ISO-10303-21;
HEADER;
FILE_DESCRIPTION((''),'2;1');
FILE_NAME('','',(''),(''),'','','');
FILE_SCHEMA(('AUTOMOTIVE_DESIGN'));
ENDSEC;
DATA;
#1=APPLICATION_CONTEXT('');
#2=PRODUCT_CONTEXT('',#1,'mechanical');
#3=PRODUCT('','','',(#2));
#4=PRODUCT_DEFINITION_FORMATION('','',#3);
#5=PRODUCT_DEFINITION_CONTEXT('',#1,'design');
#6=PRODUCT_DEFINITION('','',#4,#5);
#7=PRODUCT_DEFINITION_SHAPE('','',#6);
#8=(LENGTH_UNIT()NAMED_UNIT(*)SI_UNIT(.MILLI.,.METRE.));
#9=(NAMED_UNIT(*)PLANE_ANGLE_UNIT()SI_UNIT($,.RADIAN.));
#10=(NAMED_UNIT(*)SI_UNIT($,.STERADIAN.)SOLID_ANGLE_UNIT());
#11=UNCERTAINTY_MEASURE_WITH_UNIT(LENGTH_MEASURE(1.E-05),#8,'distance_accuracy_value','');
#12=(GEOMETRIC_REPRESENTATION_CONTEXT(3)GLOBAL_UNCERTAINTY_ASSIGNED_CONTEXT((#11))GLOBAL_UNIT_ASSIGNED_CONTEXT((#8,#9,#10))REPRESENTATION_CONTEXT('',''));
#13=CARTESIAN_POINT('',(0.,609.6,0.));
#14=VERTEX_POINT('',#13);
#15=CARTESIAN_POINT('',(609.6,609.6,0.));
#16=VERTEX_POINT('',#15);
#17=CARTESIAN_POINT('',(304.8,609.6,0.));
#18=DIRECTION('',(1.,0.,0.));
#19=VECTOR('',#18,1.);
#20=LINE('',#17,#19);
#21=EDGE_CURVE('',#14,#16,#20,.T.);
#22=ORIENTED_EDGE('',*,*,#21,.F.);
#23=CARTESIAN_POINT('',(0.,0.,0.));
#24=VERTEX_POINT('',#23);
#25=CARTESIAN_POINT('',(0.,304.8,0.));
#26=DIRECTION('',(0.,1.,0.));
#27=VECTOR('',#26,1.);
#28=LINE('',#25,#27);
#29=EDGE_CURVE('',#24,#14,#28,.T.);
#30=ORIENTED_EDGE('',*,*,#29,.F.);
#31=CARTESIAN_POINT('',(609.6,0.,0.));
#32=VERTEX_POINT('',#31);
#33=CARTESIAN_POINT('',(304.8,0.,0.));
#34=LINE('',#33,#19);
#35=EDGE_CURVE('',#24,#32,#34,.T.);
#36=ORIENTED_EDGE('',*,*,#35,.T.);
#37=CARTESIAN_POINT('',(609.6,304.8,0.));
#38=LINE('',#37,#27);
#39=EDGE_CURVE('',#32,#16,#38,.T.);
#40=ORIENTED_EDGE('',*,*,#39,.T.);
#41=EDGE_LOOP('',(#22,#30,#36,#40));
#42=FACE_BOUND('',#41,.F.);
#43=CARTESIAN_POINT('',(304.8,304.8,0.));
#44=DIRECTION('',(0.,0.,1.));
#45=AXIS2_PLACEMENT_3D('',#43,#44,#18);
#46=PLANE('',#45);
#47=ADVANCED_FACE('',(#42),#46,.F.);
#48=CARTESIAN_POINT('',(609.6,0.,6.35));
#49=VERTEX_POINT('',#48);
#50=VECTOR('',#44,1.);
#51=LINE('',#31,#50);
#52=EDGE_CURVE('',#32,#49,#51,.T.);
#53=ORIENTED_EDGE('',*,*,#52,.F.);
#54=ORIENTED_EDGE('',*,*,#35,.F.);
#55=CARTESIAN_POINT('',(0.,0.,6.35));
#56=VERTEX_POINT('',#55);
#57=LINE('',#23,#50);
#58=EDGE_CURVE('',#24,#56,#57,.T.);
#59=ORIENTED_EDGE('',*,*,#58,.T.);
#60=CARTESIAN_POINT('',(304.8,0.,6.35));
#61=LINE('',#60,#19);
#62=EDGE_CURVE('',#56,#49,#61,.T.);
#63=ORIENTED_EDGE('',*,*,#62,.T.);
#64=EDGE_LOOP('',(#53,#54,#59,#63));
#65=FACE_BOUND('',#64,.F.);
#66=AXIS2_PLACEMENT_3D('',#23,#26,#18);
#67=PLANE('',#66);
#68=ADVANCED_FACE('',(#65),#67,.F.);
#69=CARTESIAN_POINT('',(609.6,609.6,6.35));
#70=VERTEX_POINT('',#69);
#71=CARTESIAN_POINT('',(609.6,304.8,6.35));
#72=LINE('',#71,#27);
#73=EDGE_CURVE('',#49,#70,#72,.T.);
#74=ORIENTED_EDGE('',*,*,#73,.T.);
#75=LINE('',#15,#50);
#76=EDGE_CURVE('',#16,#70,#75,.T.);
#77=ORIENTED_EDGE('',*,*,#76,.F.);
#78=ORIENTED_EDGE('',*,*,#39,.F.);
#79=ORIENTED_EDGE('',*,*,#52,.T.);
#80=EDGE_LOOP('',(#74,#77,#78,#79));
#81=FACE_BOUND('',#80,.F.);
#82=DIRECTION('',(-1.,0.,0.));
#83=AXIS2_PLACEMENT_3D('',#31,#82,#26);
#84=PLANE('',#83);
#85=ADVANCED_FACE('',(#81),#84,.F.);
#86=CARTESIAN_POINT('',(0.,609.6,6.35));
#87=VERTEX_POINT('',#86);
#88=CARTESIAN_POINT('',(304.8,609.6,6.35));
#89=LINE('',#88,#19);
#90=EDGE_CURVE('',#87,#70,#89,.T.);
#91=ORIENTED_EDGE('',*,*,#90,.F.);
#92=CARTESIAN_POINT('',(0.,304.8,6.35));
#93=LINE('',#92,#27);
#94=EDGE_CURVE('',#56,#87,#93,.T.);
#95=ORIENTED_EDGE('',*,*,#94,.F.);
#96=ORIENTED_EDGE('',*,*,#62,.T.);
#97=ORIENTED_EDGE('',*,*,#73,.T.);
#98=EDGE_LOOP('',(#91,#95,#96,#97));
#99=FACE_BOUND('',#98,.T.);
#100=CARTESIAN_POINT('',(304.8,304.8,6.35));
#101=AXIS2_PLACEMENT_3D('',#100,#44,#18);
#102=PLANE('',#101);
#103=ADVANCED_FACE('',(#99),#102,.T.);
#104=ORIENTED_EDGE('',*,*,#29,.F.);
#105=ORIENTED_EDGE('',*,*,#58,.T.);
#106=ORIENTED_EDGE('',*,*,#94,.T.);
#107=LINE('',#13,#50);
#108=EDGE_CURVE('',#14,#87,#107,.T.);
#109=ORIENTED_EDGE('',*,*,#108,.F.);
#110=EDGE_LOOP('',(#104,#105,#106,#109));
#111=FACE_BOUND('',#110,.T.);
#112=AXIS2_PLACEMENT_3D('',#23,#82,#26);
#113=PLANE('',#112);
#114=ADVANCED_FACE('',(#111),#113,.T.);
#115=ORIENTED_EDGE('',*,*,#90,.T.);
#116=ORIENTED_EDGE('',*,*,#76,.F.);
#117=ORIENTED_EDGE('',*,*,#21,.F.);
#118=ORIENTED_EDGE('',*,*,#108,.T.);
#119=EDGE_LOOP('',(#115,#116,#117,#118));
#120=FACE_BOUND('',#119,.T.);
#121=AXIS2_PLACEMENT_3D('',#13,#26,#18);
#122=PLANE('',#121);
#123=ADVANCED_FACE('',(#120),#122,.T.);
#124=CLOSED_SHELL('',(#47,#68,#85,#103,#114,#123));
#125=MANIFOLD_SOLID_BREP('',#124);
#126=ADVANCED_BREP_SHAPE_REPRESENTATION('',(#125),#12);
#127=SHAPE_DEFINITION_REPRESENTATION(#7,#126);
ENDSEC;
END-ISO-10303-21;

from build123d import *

# Parameters (mm, degrees)
BOX_W     = 609.6
BOX_H     = 609.6
BOX_DEPTH = 6.35


with BuildPart() as part:
    # Box → Box (new body)
    with BuildSketch(Plane.XY):
        with Locations((304.8, 304.8)):
            Rectangle(BOX_W, BOX_H)
    extrude(amount=BOX_DEPTH)


solid = part.part
